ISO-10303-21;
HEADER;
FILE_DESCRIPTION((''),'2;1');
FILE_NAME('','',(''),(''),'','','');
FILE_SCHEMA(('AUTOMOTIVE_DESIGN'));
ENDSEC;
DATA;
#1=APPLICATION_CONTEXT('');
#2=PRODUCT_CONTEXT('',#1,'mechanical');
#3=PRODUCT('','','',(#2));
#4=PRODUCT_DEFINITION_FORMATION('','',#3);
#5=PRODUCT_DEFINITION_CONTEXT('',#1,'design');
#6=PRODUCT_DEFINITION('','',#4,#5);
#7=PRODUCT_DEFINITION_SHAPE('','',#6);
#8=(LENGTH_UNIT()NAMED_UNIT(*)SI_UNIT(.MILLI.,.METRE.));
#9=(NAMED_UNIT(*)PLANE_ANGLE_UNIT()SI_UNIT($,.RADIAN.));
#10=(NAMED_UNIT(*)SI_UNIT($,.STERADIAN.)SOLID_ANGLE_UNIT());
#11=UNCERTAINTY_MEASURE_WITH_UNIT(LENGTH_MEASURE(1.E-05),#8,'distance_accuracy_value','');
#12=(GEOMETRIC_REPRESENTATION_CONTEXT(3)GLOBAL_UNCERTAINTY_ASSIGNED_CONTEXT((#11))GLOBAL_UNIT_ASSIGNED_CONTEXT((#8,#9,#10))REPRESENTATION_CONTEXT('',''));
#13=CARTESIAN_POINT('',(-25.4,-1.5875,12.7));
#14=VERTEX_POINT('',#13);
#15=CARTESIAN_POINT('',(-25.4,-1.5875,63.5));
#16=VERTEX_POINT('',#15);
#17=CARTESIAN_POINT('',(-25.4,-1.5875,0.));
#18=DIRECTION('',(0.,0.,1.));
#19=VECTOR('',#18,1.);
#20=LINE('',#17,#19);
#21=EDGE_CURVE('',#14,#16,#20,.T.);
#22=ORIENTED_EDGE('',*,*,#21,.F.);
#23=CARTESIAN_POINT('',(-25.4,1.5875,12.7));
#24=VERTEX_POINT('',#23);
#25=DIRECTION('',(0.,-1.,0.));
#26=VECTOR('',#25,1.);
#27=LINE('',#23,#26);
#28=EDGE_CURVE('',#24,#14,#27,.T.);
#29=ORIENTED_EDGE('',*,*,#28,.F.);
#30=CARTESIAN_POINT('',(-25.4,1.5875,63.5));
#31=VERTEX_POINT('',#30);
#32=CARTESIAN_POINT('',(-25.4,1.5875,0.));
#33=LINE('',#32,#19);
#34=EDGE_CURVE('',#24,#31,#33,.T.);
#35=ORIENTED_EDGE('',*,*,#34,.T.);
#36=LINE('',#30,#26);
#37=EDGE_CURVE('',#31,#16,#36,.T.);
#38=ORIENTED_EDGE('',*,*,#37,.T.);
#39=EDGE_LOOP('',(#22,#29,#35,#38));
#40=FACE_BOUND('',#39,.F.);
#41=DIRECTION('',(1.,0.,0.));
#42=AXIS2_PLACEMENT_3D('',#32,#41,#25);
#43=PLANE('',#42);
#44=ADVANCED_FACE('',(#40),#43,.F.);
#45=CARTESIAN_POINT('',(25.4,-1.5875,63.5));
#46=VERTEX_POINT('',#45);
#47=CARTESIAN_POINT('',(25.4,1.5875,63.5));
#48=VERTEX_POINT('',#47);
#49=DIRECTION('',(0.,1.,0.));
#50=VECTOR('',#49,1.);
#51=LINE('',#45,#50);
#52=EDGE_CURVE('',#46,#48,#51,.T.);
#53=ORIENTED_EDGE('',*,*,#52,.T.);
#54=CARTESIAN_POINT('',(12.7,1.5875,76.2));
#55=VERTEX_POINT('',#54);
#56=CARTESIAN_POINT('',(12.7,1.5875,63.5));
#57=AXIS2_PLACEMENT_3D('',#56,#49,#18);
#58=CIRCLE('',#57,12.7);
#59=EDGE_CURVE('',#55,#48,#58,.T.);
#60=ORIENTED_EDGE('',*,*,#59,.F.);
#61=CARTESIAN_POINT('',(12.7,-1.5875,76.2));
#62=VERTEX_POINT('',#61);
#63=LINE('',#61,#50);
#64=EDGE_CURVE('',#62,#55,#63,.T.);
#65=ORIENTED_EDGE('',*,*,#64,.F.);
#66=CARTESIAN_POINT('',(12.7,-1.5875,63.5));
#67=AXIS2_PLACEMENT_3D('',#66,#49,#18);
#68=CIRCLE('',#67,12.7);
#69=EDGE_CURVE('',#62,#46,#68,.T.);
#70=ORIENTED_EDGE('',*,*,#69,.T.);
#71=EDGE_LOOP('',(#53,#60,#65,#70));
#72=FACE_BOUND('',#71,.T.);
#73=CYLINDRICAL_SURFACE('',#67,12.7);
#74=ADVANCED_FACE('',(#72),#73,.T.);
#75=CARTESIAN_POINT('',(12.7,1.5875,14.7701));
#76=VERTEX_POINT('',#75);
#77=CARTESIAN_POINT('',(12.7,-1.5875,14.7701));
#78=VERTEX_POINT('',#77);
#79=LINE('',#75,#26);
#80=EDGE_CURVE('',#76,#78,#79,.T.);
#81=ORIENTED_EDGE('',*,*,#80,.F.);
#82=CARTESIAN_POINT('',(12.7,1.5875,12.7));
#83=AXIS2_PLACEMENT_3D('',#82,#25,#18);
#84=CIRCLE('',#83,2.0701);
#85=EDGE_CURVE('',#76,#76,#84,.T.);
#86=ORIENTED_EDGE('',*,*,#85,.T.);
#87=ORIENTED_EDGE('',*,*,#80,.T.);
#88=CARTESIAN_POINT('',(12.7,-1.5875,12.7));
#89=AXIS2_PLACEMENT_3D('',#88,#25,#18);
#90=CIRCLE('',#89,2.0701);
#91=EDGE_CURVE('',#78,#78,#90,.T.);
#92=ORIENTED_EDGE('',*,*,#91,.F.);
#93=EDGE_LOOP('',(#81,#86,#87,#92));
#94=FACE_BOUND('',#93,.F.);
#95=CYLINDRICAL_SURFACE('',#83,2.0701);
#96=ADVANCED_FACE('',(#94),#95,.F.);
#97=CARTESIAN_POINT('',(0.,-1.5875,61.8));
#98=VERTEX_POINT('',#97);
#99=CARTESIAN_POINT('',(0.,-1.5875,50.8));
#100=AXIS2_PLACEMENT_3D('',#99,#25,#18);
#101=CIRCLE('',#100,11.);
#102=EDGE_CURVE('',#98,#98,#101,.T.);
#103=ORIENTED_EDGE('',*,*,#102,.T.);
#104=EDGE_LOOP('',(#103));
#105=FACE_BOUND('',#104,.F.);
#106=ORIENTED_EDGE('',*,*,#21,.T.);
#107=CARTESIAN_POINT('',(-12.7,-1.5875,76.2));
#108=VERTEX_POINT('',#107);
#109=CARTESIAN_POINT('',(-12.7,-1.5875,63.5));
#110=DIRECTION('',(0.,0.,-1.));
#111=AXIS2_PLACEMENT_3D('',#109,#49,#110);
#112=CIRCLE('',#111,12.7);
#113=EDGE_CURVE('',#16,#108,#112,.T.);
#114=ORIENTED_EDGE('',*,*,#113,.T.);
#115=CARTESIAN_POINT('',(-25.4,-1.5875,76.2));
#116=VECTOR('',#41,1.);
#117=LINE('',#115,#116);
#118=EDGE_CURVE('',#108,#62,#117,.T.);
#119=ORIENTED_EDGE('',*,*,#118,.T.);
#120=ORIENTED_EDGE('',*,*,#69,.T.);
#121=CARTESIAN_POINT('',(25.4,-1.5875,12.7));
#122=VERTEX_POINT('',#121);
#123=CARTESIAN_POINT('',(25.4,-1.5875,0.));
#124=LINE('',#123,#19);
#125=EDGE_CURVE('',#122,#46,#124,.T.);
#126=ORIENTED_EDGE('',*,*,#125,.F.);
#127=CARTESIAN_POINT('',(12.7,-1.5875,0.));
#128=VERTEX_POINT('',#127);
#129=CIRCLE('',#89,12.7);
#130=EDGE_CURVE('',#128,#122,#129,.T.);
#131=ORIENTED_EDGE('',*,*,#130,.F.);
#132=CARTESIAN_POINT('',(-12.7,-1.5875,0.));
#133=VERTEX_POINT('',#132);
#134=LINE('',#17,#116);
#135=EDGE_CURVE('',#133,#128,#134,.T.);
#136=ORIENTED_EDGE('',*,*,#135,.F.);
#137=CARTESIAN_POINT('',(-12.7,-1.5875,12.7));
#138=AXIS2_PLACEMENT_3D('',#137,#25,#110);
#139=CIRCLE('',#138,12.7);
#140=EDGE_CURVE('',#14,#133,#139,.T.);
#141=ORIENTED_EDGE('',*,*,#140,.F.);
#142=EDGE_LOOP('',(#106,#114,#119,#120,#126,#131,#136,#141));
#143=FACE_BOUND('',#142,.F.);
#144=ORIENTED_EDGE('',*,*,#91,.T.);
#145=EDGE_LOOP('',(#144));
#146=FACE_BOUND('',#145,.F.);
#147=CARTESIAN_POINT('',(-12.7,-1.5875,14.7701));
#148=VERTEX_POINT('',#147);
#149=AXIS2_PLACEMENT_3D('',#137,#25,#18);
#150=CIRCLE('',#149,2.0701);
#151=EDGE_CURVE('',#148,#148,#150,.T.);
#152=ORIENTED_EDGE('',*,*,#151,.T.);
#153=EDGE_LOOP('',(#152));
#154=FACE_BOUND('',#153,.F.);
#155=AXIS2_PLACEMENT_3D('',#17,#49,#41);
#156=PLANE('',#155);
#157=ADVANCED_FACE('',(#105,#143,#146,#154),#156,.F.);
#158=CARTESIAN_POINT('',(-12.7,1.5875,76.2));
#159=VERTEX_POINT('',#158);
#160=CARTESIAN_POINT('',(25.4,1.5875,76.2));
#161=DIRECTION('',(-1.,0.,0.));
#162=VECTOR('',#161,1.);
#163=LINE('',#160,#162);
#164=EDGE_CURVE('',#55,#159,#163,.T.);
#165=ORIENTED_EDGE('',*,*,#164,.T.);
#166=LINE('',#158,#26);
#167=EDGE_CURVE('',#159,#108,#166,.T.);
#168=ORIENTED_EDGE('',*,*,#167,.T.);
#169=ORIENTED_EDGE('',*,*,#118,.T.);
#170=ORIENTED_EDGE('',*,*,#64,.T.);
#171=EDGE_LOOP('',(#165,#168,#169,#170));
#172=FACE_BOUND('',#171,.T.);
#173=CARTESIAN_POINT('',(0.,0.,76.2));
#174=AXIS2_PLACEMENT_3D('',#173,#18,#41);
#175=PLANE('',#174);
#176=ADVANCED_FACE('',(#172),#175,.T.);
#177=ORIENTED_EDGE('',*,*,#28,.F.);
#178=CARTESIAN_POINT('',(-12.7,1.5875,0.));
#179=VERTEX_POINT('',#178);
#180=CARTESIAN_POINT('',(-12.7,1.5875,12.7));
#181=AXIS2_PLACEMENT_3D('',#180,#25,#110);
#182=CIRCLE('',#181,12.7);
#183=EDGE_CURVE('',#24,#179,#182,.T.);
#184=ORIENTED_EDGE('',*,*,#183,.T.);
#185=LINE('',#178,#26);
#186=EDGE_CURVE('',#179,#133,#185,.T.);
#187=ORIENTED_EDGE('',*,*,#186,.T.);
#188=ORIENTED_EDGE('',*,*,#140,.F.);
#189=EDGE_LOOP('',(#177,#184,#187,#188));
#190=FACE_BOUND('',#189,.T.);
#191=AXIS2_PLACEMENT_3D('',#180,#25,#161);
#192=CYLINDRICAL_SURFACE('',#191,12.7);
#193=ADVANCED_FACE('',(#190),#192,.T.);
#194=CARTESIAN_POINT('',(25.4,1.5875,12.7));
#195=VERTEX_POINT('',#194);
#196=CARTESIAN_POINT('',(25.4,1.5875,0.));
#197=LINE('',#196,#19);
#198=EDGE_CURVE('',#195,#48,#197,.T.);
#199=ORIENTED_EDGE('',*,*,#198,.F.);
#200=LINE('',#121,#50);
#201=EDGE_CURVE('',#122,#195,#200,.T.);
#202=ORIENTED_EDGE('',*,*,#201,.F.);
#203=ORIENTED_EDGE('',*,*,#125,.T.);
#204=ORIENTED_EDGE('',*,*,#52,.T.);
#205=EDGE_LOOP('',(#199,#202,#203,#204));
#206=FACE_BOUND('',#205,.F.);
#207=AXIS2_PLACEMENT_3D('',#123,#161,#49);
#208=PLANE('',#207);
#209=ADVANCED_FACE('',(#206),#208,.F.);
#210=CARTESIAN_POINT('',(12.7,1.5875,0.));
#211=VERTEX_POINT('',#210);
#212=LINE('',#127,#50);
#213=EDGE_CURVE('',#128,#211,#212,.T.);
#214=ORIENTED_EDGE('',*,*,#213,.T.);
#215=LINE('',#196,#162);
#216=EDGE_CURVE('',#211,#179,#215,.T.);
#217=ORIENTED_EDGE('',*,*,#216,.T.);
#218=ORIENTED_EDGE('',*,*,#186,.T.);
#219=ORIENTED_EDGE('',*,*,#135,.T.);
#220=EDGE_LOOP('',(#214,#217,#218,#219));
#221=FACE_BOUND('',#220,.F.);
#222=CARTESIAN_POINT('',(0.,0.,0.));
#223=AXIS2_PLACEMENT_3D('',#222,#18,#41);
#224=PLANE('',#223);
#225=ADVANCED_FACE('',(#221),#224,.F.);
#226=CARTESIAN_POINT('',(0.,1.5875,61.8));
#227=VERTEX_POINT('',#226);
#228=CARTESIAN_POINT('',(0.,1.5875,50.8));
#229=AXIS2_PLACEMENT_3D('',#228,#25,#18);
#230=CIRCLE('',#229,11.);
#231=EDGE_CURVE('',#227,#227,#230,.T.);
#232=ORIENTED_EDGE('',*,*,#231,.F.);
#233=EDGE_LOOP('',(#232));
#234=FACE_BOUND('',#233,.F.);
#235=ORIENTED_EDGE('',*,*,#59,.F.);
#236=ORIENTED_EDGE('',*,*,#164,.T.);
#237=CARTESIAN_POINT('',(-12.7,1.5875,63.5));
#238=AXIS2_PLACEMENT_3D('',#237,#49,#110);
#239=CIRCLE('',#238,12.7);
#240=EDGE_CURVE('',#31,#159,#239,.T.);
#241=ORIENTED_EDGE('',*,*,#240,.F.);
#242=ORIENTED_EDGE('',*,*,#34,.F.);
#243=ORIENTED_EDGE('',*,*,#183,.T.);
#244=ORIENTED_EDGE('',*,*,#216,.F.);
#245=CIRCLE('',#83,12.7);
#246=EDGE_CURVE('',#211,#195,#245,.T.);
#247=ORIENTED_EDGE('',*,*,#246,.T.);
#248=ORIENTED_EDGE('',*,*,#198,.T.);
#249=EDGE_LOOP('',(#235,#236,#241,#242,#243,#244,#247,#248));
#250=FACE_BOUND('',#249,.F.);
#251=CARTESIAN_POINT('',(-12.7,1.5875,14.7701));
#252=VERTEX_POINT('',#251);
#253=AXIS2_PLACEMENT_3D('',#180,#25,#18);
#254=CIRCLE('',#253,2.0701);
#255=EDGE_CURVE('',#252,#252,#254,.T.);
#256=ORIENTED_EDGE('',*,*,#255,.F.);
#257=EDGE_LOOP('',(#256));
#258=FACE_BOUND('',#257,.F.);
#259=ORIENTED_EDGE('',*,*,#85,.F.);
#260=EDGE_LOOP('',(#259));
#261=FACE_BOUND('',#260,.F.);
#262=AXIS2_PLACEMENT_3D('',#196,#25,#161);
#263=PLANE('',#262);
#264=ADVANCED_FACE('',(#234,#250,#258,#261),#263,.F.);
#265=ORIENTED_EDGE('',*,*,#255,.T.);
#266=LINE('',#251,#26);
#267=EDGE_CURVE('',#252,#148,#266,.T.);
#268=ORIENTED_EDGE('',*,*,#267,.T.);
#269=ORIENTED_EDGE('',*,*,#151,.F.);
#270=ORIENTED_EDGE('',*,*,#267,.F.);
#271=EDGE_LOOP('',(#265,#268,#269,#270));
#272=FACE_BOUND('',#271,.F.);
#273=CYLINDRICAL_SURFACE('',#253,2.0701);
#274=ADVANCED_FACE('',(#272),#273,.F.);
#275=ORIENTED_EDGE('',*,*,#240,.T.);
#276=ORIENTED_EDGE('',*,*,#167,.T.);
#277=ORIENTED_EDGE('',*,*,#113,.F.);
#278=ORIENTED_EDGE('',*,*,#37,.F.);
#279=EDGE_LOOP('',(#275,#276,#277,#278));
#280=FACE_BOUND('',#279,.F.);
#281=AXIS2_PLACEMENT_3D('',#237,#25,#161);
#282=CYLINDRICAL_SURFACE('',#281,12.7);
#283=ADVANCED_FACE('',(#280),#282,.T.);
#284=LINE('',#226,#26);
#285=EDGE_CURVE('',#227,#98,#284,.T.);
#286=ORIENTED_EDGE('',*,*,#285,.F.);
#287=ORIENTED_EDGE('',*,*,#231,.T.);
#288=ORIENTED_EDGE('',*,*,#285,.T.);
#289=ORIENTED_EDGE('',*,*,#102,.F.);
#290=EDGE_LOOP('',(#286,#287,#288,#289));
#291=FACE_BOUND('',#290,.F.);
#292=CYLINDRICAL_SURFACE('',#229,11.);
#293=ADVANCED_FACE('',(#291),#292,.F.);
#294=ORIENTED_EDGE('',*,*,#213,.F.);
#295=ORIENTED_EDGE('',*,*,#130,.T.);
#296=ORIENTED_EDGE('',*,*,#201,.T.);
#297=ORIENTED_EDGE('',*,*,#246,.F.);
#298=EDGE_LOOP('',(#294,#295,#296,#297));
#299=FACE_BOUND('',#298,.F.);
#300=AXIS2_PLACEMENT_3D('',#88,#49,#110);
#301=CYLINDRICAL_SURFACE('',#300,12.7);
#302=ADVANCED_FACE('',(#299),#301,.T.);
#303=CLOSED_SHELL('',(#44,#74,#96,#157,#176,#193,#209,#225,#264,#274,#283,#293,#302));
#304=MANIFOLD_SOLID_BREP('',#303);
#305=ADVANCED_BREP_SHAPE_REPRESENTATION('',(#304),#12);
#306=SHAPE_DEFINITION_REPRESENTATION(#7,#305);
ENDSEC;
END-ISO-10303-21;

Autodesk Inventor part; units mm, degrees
ref_plane "YZ Plane" through (0, 0, 0) normal (1, 0, 0) x (0, 1, 0)
ref_plane "XZ Plane" through (0, 0, 0) normal (0, 1, 0) x (-1, 0, 0)
ref_plane "XY Plane" through (0, 0, 0) normal (0, 0, 1) x (1, 0, 0)
sketch "Sketch1" plane through (0, 0, 0) normal (0, 0, 1) x (1, 0, 0)
  line L0 (-25.4, -1.5875) -> (25.4, -1.5875)
  line L1 (25.4, -1.5875) -> (25.4, 1.5875)
  line L2 (25.4, 1.5875) -> (-25.4, 1.5875)
  line L3 (-25.4, 1.5875) -> (-25.4, -1.5875)
  line L4 (-25.4, -1.5875) -> (25.4, 1.5875) construction
  line L5 (25.4, -1.5875) -> (-25.4, 1.5875) construction
  point P0 (0, 0)
  dimension "d0" = 3.175
  dimension "d1" = 50.8
extrude "Extrusion1" add sketch "Sketch1" along normal blind 76.2
sketch "Sketch2" plane through (-25.4, 1.5875, 0) normal (0, 1, 0) x (1, 0, 0)
  line L0 (50.8, 0) -> (50.8, -76.2) projected
  line L1 (0, 0) -> (0, -76.2) projected
  line L2 (50.8, 0) -> (0, 0) projected
  line L3 (50.8, -76.2) -> (0, -76.2) projected
  point P0 (25.4, 0)
  point P1 (38.1, -12.7)
  point P2 (12.7, -12.7)
  point P3 (25.4, -50.8)
  dimension "d4" = 12.7
  dimension "d5" = 12.7
  dimension "d6" = 12.7
  dimension "d7" = 12.7
  dimension "d8" = 25.4
  dimension "d9" = 25.4
hole "Hole1" at (12.7, 1.5875, 12.7) at (-12.7, 1.5875, 12.7) direction (0, -1, 0) diameter 4.1402 end through all
hole "Hole2" at (0, 1.5875, 50.8) direction (0, -1, 0) diameter 22 end through all
fillet "Fillet1" radius 12.7 4 edges at (-25.4, 0, 0) (25.4, 0, 0) (25.4, 0, 76.2) (-25.4, 0, 76.2)
properties part number "C33_TK_IdiotLightBracket" material "Polycarbonate, Clear"
